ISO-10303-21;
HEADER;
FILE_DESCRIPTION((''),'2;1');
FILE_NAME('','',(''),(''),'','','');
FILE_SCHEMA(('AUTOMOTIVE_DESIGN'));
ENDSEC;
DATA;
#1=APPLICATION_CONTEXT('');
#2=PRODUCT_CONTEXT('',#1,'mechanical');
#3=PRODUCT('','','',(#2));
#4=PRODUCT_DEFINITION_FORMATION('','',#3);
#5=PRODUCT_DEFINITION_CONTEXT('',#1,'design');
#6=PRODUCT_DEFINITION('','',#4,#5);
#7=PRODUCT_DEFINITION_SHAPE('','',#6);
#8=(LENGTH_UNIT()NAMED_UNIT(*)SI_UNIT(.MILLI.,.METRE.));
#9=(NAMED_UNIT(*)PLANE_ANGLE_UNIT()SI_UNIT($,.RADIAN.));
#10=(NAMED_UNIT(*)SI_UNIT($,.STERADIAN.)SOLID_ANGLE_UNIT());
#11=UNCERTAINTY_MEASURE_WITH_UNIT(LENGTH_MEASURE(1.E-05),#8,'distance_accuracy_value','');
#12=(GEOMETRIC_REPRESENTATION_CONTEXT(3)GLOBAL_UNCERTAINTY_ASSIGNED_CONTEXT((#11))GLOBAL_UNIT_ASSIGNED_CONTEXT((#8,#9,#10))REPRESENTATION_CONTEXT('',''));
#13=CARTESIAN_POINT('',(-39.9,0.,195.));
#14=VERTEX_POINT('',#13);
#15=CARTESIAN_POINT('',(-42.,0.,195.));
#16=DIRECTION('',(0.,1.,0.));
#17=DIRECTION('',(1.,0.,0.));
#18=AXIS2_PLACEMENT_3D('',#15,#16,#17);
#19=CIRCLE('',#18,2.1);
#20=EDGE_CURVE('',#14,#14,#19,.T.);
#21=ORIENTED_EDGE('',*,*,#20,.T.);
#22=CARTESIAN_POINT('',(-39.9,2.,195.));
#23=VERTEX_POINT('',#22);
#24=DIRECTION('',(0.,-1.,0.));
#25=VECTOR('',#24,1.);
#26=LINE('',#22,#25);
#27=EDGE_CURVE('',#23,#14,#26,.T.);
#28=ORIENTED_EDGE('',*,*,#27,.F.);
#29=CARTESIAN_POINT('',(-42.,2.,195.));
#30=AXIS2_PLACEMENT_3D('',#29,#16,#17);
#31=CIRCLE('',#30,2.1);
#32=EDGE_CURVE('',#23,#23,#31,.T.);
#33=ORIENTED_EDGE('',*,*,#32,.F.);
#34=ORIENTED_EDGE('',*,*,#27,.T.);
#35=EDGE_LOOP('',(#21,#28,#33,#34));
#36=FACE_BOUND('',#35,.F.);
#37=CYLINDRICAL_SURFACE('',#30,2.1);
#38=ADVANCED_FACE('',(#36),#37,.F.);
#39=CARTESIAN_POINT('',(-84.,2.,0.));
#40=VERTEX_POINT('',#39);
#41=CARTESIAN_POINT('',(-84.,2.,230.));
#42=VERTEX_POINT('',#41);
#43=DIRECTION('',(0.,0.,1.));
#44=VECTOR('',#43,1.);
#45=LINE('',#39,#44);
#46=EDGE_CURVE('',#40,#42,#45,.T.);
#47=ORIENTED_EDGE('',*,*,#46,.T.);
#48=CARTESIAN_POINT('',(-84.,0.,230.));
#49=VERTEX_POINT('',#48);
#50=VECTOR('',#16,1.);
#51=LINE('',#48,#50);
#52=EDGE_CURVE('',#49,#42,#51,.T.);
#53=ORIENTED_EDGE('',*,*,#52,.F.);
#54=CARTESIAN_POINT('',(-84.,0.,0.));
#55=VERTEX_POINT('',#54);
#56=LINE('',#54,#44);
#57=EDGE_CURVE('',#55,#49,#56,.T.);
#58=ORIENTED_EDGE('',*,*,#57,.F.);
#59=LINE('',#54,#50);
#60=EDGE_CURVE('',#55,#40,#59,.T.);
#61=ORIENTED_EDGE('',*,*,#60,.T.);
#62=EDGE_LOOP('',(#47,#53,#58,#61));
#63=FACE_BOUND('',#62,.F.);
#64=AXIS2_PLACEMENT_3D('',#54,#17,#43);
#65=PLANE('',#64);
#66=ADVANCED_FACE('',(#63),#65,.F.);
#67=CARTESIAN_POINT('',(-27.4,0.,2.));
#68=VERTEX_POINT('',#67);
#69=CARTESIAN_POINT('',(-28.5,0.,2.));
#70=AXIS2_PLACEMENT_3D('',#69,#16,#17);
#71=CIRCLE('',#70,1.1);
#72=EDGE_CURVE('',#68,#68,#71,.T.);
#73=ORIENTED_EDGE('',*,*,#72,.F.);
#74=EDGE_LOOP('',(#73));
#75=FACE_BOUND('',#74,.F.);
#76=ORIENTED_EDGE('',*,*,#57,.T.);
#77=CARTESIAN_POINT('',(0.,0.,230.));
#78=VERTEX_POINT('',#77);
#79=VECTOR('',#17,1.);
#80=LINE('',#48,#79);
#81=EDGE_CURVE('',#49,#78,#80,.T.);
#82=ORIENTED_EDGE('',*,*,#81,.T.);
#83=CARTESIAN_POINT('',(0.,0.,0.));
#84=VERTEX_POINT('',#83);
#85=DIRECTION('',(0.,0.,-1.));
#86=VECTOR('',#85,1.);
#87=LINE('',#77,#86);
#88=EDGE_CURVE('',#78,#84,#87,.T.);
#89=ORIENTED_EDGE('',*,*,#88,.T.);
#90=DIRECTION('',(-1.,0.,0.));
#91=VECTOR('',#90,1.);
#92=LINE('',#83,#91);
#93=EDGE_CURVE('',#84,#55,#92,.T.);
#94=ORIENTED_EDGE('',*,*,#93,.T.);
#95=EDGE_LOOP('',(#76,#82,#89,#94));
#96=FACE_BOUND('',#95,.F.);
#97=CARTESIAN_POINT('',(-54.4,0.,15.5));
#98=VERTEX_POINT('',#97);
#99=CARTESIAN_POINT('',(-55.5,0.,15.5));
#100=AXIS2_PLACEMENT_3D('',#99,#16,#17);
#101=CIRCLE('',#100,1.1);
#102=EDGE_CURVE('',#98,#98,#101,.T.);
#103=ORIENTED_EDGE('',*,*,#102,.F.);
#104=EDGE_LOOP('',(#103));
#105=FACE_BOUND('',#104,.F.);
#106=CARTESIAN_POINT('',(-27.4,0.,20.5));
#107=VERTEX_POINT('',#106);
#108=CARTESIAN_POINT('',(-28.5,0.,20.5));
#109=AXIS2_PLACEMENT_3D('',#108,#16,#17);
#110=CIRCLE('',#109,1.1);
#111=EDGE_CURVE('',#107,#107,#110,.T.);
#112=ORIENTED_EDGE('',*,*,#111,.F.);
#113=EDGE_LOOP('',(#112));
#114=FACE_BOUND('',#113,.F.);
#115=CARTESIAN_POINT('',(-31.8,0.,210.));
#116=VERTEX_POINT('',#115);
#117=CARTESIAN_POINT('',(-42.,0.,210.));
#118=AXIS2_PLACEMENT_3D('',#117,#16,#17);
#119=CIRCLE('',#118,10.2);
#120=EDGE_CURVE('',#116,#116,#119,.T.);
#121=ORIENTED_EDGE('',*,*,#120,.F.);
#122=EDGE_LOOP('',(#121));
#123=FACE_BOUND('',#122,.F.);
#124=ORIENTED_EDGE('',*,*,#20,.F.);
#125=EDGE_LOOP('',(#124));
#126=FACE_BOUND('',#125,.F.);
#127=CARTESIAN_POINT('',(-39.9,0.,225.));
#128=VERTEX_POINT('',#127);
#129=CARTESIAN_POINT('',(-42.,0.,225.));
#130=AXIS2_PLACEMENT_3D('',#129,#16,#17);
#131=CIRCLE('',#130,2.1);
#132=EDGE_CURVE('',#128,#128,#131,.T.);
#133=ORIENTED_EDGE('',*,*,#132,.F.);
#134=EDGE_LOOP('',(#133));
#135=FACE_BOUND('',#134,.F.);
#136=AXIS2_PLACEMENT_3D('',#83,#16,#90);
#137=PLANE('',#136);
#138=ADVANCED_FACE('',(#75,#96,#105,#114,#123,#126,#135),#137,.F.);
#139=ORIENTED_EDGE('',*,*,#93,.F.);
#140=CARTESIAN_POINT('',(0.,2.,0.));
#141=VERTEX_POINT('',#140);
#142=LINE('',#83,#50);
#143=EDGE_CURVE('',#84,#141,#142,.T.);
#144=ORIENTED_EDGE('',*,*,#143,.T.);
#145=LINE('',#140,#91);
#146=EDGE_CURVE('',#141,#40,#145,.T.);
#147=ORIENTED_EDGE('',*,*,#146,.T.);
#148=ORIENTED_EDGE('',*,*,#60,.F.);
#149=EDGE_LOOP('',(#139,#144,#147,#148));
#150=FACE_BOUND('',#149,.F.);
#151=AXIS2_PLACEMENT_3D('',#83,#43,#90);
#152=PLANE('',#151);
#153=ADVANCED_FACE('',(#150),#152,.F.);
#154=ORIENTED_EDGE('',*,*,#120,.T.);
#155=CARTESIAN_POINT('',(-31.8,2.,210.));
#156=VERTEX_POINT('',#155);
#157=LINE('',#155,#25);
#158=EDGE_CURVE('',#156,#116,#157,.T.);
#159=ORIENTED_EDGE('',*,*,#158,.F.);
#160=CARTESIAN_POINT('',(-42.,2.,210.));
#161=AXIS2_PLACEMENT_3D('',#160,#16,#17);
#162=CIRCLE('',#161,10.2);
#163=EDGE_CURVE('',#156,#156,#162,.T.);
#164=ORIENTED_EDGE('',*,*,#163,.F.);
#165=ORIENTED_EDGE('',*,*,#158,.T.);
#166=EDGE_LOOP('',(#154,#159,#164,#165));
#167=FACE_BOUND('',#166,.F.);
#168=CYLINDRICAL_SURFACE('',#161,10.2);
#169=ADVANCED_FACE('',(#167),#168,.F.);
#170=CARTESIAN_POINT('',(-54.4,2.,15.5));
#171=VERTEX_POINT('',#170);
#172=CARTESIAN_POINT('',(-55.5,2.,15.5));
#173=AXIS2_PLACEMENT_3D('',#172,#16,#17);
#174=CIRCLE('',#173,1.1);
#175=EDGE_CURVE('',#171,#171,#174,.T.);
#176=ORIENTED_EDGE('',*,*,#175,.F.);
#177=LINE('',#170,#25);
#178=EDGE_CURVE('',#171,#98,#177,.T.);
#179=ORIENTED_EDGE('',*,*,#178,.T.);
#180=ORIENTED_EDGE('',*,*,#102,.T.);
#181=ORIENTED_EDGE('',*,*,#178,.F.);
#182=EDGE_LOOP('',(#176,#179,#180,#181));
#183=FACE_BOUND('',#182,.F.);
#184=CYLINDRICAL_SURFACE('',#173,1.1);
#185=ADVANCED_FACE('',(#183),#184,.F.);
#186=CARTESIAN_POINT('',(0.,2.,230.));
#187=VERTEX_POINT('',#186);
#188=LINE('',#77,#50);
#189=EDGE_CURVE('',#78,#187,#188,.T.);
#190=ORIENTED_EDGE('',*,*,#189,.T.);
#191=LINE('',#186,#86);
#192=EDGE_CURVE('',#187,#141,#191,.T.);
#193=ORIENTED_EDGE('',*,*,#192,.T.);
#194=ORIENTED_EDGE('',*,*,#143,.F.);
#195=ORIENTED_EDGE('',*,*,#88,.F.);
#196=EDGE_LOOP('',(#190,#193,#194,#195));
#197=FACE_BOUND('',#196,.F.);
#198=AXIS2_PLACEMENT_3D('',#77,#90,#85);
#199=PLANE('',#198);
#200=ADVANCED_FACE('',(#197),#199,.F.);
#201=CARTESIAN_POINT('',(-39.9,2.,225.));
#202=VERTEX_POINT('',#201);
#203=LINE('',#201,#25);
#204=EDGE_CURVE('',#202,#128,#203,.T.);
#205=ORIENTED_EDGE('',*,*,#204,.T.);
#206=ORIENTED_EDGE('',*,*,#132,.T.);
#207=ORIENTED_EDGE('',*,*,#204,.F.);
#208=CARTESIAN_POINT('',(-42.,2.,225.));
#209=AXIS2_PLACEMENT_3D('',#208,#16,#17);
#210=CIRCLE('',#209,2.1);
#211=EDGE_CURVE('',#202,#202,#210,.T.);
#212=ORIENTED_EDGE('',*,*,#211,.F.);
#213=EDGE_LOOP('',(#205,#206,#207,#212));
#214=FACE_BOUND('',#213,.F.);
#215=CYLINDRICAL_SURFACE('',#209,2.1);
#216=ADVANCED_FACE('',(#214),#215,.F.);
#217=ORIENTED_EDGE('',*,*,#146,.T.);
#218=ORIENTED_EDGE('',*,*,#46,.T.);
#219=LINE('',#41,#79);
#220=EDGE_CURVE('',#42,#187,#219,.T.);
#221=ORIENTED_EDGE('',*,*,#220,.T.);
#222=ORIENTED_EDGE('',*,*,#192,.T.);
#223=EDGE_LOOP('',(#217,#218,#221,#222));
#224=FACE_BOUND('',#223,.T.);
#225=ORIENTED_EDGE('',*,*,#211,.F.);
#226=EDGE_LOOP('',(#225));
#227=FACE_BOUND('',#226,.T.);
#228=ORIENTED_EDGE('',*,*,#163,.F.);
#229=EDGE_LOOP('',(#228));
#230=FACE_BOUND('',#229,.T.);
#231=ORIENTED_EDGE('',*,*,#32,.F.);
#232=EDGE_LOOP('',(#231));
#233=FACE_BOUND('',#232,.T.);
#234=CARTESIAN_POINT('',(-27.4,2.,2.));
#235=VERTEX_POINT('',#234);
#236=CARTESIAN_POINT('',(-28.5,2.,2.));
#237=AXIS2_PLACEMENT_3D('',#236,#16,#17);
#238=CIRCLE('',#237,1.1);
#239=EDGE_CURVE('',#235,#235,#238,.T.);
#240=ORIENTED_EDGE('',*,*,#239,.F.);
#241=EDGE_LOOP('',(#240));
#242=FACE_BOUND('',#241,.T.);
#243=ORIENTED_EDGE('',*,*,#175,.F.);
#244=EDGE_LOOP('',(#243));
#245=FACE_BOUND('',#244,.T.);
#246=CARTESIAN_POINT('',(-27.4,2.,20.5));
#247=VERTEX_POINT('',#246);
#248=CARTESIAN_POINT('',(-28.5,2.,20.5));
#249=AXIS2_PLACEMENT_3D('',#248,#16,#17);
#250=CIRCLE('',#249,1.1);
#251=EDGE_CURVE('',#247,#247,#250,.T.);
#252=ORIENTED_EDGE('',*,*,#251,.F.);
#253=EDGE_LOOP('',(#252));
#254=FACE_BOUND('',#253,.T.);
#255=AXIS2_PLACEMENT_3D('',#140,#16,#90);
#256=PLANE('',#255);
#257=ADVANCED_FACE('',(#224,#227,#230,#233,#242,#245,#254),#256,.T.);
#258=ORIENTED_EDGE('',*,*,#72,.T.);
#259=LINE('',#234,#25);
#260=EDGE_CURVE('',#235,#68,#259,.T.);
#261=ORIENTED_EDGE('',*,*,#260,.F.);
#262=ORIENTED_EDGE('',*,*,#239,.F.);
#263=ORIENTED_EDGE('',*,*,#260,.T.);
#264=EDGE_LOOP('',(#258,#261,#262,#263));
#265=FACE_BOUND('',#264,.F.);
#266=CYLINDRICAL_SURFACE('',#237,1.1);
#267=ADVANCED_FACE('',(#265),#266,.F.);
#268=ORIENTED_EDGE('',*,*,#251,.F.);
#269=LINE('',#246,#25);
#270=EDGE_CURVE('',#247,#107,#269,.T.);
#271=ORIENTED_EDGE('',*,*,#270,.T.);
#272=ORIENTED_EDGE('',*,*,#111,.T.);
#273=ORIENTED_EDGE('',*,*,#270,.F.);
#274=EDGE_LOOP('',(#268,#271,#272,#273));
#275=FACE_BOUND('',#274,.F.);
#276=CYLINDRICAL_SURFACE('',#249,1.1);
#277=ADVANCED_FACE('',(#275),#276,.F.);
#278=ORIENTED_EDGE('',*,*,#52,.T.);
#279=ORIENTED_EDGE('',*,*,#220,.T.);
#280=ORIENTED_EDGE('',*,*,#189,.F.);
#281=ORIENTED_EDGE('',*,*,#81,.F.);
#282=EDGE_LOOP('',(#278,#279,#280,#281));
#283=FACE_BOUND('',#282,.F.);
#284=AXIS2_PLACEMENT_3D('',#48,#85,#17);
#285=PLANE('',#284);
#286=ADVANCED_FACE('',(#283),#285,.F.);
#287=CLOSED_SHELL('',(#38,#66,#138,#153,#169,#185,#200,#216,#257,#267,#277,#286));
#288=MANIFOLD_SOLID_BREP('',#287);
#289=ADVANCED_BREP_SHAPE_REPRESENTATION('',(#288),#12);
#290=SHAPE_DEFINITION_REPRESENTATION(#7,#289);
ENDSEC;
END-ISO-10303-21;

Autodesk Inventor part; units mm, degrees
ref_plane "YZ Plane" through (0, 0, 0) normal (1, 0, 0) x (0, 1, 0)
ref_plane "XZ Plane" through (0, 0, 0) normal (0, 1, 0) x (-1, 0, 0)
ref_plane "XY Plane" through (0, 0, 0) normal (0, 0, 1) x (1, 0, 0)
sketch "スケッチ1" plane through (0, 0, 0) normal (0, 1, 0) x (-1, 0, 0)
  line L0 (0, 0) -> (84, 0)
  line L1 (84, 0) -> (84, 230)
  line L2 (84, 230) -> (0, 230)
  line L3 (0, 230) -> (0, 0)
  dimension "d0" = 84
  dimension "d1" = 230
extrude "押し出し1" add sketch "スケッチ1" along normal blind 2
sketch "スケッチ2" plane through (0, 2, 0) normal (0, 1, 0) x (1, 0, 0)
  line L0 (0, 0) -> (-84, 0) projected
  line L1 (0, -230) -> (0, 0) projected
  circle A0 centre (-42, -225) radius 2.1
  line L2 (-84, -230) -> (0, -230) projected
  circle A1 centre (-42, -195) radius 2.1
  circle A2 centre (-28.5, -2) radius 1.1
  circle A3 centre (-28.5, -20.5) radius 1.1
  circle A4 centre (-55.5, -15.5) radius 1.1
  circle A5 centre (-42, -210) radius 10.2
  dimension "d9" = 4.2
  dimension "d10" = 5
  dimension "d11" = 42
  dimension "d12" = 4.2
  dimension "d13" = 30
  dimension "d16" = 2.2
  dimension "d17" = 2.2
  dimension "d18" = 2.2
  dimension "d19" = 228
  dimension "d20" = 209.5
  dimension "d21" = 214.5
  dimension "d22" = 55.5
  dimension "d23" = 28.5
  dimension "d24" = 28.5
  dimension "d27" = 20.4
  dimension "d28" = 15
extrude "押し出し5" cut sketch "スケッチ2" against normal blind 2
properties part number "Force_Arm_board"
